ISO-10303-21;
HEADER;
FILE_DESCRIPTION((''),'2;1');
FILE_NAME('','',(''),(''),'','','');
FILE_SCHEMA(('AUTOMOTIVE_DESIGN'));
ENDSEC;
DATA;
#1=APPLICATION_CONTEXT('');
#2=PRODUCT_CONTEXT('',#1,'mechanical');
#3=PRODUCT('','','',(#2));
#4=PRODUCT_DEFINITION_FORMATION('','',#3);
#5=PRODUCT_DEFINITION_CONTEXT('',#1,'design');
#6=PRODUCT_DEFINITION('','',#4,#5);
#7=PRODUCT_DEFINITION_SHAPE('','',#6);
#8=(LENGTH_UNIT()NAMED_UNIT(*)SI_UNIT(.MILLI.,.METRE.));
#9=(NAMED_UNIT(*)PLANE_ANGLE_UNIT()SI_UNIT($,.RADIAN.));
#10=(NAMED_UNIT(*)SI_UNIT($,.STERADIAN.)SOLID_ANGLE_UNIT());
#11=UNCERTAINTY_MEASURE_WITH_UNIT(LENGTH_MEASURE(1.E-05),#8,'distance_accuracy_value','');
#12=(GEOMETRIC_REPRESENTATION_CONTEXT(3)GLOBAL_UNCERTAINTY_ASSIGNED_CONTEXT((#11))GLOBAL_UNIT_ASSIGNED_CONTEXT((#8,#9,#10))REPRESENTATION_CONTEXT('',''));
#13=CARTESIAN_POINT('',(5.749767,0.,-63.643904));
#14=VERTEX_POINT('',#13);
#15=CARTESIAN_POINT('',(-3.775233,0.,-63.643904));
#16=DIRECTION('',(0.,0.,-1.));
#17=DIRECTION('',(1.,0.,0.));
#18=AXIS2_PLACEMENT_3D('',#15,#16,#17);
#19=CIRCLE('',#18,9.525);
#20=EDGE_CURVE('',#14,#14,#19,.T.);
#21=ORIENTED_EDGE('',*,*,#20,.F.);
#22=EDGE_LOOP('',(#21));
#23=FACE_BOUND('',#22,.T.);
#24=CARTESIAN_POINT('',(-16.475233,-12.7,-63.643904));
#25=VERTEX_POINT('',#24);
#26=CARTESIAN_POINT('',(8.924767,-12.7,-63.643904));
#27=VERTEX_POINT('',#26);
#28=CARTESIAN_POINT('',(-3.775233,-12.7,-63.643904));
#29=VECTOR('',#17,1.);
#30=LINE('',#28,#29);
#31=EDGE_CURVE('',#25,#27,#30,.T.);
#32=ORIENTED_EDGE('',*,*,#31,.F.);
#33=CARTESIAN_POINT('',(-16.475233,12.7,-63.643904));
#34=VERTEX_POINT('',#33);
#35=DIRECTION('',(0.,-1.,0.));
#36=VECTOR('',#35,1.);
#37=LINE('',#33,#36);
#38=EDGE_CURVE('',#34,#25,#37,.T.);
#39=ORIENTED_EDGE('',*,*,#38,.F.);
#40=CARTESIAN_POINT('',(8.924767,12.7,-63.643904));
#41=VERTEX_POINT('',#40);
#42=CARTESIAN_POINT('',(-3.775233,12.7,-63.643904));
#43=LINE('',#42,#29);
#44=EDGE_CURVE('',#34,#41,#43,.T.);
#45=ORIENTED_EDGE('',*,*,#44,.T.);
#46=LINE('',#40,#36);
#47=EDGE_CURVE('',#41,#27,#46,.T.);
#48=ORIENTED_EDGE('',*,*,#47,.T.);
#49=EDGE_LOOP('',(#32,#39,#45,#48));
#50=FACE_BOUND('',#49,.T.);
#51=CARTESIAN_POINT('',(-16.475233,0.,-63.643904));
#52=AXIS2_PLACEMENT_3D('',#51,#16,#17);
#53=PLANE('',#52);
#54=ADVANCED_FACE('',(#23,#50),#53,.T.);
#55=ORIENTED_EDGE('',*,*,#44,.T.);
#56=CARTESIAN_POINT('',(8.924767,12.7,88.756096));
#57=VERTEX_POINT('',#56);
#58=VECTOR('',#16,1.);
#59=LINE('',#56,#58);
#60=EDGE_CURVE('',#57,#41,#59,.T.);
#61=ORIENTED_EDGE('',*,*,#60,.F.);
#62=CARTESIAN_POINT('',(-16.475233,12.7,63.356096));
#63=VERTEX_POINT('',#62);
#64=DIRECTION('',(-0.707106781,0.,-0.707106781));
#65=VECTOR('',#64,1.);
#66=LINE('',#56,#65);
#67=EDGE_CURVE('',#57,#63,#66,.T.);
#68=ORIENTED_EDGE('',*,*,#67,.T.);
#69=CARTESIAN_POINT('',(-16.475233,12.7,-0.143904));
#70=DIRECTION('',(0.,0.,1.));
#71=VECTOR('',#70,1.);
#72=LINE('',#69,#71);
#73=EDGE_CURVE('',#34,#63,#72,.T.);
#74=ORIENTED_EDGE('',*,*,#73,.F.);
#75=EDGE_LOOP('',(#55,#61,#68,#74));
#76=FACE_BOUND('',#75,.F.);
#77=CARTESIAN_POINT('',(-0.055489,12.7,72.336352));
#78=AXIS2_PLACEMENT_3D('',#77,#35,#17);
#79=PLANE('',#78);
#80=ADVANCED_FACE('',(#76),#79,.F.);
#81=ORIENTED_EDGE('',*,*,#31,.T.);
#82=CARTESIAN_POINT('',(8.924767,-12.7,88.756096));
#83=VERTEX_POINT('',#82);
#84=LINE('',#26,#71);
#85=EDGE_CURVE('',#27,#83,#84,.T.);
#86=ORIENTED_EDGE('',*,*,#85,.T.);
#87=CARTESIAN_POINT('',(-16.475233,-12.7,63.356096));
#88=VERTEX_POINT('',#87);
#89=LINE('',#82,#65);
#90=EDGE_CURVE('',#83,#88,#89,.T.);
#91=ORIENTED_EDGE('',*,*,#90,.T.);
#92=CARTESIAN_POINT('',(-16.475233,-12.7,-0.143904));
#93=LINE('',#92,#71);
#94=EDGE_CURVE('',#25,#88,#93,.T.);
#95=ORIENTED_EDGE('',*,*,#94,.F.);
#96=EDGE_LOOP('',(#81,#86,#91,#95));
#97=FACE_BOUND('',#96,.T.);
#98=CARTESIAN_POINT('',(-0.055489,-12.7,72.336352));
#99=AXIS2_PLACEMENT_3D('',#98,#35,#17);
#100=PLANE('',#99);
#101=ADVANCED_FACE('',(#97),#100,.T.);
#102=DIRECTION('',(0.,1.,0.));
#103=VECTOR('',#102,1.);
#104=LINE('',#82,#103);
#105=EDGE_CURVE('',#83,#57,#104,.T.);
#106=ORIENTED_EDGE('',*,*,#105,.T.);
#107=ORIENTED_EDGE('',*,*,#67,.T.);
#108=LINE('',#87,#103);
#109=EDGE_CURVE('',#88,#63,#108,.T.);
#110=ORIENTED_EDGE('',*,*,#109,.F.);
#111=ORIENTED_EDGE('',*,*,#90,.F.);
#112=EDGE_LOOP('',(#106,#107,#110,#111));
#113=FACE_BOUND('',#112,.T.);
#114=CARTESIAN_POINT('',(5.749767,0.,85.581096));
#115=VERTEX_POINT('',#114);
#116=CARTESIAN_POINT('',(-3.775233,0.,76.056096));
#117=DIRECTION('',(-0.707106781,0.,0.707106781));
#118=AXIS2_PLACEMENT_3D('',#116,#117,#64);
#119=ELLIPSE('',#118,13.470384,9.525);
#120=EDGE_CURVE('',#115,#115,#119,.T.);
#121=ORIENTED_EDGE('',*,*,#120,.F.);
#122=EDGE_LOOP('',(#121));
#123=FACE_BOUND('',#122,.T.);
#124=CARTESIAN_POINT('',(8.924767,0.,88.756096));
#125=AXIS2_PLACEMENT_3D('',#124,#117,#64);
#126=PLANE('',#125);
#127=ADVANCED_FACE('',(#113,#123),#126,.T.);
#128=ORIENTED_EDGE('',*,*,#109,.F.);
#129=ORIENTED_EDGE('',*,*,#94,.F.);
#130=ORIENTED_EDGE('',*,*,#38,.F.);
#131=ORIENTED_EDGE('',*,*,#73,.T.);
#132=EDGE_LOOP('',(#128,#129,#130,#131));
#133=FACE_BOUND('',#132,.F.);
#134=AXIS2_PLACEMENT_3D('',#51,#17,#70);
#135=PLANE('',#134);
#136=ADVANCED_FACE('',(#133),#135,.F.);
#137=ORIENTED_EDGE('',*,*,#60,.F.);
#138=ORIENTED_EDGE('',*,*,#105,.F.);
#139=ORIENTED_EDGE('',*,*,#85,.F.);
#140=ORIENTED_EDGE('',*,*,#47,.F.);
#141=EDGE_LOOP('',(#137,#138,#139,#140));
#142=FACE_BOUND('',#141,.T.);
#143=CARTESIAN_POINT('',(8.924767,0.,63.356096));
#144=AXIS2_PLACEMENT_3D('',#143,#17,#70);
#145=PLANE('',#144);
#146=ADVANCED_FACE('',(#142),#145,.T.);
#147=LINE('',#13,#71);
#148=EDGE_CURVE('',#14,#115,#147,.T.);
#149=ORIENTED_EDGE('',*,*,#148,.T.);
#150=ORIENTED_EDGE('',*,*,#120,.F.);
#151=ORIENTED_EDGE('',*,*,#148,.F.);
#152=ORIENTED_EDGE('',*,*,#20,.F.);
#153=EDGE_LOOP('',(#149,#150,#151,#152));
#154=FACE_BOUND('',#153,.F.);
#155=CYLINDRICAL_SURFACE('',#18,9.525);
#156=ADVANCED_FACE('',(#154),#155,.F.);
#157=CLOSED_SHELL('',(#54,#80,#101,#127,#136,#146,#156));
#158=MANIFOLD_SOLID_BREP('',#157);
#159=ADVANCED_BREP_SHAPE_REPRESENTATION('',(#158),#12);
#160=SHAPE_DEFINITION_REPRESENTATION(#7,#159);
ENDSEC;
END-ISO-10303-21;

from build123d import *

# Parameters (mm, degrees)
F0_W     = 25.4
F0_H     = 127
F1_DEPTH = 12.7
F4_DEPTH = 12.7
F2_R     = 9.525
F5_DEPTH = 152.401


with BuildPart() as f1:
    # F0 (on Front) → F1 (new body, symmetric)
    with BuildSketch(Plane.XZ):
        with Locations((-3.775233, -0.143904)):
            Rectangle(F0_W, F0_H)
    extrude(amount=F1_DEPTH, both=True)

    # F3 (on Front) → F4 (join, symmetric)
    with BuildSketch(Plane.XZ):
        Polygon((-16.475233, 63.356096), (8.924767, 63.356096), (8.924767, 88.756096), align=None)
    extrude(amount=F4_DEPTH, both=True)

    # F2 (on face) → F5 (cut, through all)
    with BuildSketch(Plane(origin=(0, 0, -63.643904), x_dir=(1, 0, 0), z_dir=(0, 0, -1))):
        with Locations((-3.775233, 0)):
            Circle(F2_R)
    extrude(amount=-F5_DEPTH, mode=Mode.SUBTRACT)


solid = f1.part
